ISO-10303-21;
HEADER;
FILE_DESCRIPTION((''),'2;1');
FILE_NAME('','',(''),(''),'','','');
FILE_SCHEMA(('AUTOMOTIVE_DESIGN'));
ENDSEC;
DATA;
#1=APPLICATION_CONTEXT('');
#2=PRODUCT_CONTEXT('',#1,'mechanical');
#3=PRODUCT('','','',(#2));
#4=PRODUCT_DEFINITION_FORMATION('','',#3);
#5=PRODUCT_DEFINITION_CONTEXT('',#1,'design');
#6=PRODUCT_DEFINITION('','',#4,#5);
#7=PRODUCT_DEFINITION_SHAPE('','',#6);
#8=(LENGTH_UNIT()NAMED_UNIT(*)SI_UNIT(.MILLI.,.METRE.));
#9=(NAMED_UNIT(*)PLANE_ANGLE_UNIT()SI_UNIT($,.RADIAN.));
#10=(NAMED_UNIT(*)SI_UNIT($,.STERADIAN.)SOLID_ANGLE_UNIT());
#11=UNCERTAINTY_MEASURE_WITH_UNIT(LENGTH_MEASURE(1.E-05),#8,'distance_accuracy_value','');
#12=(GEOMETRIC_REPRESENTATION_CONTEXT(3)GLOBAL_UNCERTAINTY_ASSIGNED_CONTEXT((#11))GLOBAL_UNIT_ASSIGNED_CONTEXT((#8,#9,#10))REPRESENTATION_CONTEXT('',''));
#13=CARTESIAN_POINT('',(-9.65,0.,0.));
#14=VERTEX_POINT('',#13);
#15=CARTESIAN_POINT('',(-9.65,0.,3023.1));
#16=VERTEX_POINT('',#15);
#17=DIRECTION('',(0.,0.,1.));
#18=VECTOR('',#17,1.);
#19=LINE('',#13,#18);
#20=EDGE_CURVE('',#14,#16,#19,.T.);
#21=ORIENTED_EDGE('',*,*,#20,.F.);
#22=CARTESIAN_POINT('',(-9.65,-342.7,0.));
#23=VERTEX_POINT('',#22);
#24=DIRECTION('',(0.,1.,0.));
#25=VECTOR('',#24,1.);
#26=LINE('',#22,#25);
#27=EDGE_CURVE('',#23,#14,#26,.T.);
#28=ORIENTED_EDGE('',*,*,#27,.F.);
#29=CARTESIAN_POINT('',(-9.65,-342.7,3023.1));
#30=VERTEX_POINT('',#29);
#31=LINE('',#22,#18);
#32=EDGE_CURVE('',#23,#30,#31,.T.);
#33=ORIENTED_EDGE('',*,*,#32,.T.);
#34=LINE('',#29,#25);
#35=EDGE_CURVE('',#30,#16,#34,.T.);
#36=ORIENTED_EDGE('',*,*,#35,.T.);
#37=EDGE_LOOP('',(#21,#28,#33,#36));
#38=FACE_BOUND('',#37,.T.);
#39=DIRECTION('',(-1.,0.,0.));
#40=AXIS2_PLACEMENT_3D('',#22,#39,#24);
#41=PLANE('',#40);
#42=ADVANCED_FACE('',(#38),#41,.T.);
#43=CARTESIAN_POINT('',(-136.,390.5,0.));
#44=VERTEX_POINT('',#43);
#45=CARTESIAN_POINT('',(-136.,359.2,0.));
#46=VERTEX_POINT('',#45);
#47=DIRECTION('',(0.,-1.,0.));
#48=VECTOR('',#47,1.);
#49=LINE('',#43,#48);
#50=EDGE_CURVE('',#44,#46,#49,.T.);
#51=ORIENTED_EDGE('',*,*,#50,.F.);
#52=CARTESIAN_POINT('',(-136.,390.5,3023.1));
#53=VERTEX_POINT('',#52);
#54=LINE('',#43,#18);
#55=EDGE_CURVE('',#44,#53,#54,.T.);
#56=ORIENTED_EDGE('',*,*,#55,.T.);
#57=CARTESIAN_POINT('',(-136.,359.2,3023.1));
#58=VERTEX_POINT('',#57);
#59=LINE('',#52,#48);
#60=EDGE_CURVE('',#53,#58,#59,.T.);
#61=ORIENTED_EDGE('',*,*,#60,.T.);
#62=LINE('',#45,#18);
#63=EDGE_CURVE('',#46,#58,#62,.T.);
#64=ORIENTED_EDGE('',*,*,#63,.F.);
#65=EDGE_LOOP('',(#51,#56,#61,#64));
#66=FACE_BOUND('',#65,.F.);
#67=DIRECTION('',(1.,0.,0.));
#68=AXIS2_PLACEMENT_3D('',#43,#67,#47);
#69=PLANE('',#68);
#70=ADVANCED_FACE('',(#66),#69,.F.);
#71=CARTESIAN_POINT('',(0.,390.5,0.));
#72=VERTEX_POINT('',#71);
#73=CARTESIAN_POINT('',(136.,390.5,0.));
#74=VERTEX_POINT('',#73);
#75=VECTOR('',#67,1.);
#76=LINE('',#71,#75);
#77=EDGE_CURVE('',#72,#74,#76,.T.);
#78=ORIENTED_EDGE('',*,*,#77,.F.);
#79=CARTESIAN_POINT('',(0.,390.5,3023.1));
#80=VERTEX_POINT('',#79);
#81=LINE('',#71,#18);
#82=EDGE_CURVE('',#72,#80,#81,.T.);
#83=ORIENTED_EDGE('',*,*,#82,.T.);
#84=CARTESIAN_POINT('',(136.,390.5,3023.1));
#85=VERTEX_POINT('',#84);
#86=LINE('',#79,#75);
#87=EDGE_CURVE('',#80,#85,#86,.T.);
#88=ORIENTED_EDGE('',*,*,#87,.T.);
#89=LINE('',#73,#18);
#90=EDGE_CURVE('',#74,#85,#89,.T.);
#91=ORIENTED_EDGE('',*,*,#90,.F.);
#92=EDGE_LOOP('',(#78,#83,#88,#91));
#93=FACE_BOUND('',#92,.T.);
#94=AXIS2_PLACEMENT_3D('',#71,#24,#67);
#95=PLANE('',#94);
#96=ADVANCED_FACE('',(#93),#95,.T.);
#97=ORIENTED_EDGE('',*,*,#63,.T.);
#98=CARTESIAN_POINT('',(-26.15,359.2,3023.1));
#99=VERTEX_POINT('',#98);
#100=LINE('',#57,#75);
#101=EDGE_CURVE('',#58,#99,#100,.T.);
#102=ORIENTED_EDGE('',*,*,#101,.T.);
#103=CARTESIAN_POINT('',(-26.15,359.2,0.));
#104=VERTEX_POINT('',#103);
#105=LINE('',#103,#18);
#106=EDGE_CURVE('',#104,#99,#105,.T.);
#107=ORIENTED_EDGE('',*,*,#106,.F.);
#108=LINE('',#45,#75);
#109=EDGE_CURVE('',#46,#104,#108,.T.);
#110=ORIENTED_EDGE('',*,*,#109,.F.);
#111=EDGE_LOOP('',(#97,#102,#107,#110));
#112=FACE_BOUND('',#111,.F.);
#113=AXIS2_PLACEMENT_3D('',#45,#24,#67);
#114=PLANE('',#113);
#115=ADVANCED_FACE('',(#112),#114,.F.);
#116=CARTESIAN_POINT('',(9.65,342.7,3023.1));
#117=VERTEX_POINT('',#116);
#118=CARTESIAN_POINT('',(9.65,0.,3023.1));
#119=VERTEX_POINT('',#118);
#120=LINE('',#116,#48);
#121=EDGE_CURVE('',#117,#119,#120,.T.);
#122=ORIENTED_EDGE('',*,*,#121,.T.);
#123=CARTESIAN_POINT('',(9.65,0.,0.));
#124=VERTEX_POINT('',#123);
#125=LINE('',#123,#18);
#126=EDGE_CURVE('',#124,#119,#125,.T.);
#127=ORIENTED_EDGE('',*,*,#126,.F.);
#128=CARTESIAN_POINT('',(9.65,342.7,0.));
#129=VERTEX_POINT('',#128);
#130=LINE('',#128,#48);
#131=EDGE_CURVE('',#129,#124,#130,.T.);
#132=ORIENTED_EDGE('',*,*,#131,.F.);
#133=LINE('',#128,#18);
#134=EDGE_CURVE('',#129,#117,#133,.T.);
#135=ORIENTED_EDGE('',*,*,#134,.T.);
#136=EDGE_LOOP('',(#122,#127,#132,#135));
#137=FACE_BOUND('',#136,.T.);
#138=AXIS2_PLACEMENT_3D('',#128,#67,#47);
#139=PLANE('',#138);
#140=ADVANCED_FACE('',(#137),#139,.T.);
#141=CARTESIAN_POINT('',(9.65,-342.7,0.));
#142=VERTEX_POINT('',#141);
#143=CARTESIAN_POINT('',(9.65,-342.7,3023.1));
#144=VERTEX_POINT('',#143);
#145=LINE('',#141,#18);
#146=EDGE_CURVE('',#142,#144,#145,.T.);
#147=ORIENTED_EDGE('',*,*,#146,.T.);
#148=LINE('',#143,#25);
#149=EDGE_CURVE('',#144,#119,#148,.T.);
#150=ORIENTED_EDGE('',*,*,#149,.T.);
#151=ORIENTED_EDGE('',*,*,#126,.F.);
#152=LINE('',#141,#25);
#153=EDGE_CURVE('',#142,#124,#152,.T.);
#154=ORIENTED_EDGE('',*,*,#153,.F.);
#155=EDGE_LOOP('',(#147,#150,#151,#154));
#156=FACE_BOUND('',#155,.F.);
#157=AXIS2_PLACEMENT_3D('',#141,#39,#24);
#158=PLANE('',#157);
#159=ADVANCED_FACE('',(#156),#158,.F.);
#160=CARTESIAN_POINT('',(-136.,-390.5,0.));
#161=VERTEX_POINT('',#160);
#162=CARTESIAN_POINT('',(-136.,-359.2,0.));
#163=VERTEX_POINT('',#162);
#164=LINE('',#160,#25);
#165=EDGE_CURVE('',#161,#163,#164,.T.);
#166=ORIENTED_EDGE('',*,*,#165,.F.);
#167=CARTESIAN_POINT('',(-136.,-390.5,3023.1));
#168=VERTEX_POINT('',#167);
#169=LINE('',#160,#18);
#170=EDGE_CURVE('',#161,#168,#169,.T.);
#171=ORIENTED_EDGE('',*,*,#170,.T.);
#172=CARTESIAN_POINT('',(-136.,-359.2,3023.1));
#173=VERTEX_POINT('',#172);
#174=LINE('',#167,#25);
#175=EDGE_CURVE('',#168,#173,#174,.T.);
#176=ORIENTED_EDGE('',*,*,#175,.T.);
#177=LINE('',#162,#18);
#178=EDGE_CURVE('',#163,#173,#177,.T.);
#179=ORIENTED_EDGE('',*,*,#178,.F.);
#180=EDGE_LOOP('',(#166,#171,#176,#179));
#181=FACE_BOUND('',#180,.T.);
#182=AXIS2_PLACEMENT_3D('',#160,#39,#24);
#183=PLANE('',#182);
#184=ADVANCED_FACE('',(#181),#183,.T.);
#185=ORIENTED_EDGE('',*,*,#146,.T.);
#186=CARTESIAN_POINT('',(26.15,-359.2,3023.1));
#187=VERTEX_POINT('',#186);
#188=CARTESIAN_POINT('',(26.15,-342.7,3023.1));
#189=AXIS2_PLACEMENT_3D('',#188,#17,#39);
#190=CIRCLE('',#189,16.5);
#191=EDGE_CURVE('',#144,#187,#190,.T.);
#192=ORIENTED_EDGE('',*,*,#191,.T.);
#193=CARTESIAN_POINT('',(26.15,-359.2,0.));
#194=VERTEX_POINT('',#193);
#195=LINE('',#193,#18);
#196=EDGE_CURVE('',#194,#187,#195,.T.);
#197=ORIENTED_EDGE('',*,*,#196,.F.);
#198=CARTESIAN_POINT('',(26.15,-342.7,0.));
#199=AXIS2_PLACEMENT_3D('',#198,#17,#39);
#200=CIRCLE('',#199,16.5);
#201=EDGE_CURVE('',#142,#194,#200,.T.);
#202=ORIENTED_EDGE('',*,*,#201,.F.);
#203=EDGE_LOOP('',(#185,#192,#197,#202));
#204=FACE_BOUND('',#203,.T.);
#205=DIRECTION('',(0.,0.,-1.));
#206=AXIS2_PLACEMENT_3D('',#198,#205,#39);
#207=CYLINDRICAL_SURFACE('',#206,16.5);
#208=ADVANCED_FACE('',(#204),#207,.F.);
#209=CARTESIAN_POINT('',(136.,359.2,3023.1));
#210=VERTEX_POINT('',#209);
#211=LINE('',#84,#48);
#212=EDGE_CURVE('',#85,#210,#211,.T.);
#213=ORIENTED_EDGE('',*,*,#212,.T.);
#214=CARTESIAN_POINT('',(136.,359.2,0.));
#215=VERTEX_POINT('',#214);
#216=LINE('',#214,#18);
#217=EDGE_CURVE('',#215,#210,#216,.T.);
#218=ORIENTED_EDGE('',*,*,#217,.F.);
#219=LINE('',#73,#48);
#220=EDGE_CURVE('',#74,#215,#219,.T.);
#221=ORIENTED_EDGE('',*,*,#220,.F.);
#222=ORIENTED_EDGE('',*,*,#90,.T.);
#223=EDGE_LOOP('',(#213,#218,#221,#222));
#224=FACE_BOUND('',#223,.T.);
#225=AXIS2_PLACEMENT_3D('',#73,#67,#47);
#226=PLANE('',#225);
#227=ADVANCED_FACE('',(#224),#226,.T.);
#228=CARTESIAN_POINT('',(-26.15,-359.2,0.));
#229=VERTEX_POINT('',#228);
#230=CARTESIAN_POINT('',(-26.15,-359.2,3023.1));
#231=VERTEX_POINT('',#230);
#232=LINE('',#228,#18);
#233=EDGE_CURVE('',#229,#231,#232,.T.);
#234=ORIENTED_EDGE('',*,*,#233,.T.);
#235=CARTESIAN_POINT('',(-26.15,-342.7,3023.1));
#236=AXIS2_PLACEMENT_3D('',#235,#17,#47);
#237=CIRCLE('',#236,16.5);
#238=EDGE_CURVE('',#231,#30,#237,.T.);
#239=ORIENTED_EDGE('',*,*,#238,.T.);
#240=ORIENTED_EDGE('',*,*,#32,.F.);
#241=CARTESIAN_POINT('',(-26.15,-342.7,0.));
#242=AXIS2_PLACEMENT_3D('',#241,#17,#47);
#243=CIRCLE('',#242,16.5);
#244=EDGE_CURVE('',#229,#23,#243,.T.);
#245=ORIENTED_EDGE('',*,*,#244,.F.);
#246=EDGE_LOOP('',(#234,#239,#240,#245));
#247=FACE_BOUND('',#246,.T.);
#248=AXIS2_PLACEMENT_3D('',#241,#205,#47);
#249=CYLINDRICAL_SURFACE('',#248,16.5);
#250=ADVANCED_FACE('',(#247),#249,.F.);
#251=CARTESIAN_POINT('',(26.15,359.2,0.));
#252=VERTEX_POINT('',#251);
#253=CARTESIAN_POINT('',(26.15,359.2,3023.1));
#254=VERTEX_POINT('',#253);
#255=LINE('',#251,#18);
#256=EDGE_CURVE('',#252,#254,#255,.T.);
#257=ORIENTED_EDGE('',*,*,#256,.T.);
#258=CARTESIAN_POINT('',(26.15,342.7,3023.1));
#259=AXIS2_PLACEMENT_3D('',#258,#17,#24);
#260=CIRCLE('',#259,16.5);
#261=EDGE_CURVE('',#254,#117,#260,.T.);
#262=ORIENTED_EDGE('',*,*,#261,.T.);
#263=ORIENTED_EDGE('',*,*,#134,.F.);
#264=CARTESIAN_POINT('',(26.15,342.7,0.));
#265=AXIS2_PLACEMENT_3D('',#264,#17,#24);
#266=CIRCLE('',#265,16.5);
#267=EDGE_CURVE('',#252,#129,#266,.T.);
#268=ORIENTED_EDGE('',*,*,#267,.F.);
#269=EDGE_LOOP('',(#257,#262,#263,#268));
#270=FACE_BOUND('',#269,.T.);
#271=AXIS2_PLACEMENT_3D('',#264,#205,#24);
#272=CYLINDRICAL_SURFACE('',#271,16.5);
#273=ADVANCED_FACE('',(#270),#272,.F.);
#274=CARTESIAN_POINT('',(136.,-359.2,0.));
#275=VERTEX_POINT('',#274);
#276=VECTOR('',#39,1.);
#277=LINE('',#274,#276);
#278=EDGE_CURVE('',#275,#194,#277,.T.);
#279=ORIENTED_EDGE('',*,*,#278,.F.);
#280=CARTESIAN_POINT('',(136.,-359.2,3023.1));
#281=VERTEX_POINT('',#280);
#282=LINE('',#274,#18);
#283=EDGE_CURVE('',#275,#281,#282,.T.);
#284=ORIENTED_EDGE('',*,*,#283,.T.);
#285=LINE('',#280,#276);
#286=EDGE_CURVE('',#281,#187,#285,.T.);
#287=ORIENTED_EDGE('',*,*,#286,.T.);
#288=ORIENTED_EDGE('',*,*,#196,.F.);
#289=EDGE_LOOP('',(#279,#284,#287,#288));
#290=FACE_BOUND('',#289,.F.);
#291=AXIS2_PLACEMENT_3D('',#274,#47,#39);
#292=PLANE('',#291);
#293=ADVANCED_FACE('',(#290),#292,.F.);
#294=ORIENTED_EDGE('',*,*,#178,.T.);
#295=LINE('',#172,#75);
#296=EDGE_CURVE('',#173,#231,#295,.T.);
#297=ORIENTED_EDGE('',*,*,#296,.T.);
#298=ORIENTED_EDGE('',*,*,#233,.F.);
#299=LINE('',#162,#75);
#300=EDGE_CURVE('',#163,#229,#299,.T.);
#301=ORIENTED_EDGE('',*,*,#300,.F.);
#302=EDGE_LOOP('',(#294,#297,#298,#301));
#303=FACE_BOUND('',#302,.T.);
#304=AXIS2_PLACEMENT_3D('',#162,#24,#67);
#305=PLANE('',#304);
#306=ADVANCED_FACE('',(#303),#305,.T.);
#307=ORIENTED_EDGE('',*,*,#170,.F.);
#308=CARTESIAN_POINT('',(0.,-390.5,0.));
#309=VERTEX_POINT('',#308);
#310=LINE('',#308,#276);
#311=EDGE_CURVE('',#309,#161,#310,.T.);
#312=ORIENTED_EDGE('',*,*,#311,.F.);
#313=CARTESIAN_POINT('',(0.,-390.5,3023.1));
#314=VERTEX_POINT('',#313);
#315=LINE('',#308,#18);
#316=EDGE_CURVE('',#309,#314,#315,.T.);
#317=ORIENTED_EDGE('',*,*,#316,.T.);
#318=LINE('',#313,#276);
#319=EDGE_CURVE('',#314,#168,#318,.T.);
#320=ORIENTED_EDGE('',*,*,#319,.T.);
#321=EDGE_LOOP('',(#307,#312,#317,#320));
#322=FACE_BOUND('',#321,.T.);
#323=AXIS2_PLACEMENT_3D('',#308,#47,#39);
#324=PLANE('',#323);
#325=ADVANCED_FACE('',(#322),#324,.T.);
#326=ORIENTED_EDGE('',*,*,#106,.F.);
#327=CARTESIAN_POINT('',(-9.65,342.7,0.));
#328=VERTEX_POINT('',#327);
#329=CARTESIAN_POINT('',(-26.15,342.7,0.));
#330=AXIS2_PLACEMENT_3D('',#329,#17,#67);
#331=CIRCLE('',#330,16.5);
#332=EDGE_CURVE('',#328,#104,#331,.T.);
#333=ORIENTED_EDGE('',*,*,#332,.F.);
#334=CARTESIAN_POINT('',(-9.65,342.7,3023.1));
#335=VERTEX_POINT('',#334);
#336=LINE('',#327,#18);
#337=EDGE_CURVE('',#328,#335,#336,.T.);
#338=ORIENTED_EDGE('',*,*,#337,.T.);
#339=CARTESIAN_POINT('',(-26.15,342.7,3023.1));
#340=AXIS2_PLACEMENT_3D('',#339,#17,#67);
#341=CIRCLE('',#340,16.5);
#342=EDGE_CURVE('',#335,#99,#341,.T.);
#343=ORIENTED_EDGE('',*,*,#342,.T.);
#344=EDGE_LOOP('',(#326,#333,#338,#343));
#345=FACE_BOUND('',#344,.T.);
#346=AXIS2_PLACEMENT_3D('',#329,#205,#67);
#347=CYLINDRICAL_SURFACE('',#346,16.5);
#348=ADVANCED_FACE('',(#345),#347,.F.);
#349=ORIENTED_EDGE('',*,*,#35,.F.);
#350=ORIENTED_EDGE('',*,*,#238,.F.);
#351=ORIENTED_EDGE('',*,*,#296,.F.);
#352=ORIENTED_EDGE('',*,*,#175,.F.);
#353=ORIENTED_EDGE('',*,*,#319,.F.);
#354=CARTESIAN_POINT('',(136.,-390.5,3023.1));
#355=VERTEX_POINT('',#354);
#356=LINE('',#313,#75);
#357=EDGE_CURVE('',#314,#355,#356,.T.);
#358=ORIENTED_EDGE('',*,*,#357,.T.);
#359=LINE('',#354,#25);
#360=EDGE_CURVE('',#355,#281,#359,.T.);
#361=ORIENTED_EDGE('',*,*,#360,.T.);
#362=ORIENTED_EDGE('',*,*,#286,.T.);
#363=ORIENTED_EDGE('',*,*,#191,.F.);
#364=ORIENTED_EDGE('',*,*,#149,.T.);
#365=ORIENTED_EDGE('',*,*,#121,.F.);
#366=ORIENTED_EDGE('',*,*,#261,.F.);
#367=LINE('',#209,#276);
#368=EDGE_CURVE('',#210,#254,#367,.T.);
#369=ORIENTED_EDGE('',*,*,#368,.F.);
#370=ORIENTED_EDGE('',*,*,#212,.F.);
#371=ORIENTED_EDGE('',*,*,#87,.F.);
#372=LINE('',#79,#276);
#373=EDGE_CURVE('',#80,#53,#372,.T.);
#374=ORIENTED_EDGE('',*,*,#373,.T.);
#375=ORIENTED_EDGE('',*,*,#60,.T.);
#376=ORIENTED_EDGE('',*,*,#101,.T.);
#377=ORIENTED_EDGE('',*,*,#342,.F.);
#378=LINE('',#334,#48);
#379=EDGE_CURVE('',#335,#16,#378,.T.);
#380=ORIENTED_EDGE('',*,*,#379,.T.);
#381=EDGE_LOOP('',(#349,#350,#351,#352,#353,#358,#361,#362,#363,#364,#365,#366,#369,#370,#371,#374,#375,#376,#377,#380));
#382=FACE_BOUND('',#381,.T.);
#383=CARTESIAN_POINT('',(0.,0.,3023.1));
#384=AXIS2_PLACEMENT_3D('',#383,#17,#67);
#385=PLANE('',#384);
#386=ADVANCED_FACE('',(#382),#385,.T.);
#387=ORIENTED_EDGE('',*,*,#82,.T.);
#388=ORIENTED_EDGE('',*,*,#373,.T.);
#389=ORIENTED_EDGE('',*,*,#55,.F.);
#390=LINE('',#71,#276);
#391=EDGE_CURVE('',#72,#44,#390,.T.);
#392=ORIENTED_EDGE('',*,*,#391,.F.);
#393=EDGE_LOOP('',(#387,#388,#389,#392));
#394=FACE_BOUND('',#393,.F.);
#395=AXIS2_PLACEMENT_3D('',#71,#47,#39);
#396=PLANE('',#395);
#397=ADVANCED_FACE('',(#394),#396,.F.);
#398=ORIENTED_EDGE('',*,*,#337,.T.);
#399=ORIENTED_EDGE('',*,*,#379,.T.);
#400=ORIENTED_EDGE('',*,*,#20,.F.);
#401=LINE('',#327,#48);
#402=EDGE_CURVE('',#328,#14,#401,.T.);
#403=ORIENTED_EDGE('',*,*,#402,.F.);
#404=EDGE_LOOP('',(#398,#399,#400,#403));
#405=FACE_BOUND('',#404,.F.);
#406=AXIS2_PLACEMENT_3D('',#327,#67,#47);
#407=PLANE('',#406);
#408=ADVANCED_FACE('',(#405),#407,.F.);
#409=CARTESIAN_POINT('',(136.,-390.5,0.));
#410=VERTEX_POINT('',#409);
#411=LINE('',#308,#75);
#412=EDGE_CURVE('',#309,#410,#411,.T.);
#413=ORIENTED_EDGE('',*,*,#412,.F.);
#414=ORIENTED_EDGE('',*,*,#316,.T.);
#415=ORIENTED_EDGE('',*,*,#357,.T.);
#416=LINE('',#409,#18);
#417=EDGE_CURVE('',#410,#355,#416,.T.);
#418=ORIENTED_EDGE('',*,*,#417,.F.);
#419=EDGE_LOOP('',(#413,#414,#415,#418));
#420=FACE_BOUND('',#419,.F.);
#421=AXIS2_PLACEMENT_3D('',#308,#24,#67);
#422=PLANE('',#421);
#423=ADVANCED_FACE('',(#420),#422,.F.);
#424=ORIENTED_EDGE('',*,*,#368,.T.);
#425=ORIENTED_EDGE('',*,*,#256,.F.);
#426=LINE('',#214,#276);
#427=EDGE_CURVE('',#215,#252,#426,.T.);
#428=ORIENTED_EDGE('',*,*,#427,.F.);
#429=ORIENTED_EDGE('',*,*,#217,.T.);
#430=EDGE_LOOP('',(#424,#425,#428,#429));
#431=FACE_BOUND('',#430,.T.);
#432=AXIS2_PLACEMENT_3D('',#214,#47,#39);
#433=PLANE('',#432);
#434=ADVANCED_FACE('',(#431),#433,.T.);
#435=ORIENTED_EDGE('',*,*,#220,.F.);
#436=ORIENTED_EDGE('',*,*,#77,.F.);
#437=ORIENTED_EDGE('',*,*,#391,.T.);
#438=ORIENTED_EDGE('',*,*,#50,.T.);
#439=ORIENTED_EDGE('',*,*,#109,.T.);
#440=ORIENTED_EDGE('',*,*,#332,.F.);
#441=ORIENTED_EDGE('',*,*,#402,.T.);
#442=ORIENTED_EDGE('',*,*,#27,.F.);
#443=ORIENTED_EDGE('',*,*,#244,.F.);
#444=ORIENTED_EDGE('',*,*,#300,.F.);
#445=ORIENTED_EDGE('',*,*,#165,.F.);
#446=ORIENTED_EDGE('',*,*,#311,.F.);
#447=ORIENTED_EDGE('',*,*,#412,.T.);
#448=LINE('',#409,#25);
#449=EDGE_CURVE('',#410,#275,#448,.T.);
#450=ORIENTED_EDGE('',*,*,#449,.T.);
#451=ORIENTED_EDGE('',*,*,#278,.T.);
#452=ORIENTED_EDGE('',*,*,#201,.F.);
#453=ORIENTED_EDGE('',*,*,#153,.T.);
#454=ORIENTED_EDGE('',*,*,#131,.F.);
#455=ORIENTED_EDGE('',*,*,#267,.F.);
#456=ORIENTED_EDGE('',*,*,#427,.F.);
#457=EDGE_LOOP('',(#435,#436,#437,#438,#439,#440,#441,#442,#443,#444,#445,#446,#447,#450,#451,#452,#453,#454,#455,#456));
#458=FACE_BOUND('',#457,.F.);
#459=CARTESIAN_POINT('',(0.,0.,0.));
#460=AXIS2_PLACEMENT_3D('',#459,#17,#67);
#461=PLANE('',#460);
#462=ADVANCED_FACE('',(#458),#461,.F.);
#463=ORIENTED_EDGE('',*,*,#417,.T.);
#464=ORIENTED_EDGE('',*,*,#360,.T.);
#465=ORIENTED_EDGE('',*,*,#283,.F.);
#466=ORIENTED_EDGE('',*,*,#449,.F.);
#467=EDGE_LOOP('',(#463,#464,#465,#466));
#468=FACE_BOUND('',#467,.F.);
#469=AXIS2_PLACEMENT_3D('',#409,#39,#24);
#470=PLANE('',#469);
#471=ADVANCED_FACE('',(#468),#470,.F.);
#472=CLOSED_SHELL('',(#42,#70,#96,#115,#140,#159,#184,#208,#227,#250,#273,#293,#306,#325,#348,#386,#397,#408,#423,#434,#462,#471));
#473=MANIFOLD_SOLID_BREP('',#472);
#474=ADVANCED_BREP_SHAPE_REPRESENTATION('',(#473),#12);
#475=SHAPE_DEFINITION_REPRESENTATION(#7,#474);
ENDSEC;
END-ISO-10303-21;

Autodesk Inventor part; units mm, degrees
ref_plane "YZ Plane" through (0, 0, 0) normal (1, 0, 0) x (0, 1, 0)
ref_plane "Start plane" through (0, 0, 0) normal (0, 0, 1) x (1, 0, 0)
ref_plane "End plane" through (0, 0, 3023.1) normal (0, 0, 1) x (1, 0, 0)
sketch "Sketch" plane through (0, 0, 0) normal (0, 0, 1) x (1, 0, 0)
  line L0 (-136, -390.5) -> (-136, -359.2)
  line L1 (-136, -359.2) -> (-26.15, -359.2)
  line L2 (-9.65, -342.7) -> (-9.65, 0)
  line L3 (-9.65, 0) -> (0, 0) construction
  line L4 (0, 0) -> (0, -390.5) construction
  line L5 (0, -390.5) -> (-136, -390.5)
  line L6 (-60, 0) -> (80, 0) construction
  line L7 (0, -60) -> (0, 80) construction
  line L8 (136, -390.5) -> (136, -359.2)
  line L9 (136, -359.2) -> (26.15, -359.2)
  line L10 (9.65, -342.7) -> (9.65, 0)
  line L11 (9.65, 0) -> (0, 0) construction
  line L12 (0, -390.5) -> (136, -390.5)
  line L13 (-136, 390.5) -> (-136, 359.2)
  line L14 (-136, 359.2) -> (-26.15, 359.2)
  line L15 (-9.65, 342.7) -> (-9.65, 0)
  line L16 (0, 390.5) -> (-136, 390.5)
  line L17 (136, 390.5) -> (136, 359.2)
  line L18 (136, 359.2) -> (26.15, 359.2)
  line L19 (0, 390.5) -> (136, 390.5)
  line L20 (9.65, 342.7) -> (9.65, 0)
  arc A0 (-9.65, 342.7) -> (-26.15, 359.2) centre (-26.15, 342.7) ccw
  arc A1 (26.15, 359.2) -> (9.65, 342.7) centre (26.15, 342.7) ccw
  arc A2 (9.65, -342.7) -> (26.15, -359.2) centre (26.15, -342.7) ccw
  arc A3 (-26.15, -359.2) -> (-9.65, -342.7) centre (-26.15, -342.7) ccw
  line L21 (0, 108) -> (0, -88) construction
  line L22 (-88, 0) -> (108, 0) construction
  point P0 (-9.65, -359.2)
  point P1 (9.65, -359.2)
  point P2 (-9.65, 359.2)
  point P3 (9.65, 359.2)
  dimension "d1" = 390.5
  dimension "d2" = 31.3
  dimension "d3" = 136
  dimension "d4" = 9.65
  dimension "d10" = 16.5
extrude "Body" add sketch "Sketch" along normal up to surface (3023.1 mm away) from surface at 0
sketch "Sketch4" plane through (0, 0, 0) normal (0, 0, 1) x (1, 0, 0)
  line L0 (0, 0) -> (10, 0)
ref_plane "Work Plane3" through (0, 0, 0) normal (0, -1, 0) x (1, 0, 0)
sketch "Sketch5" plane through (0, 0, 0) normal (0, -1, 0) x (1, 0, 0)
  line L0 (-2, 0) -> (12, 0) projected
  line L1 (-2, 3023.1) -> (12, 3023.1) projected
  dimension "d14" = 3023.1
equation "\"d1\" = 0.5 * G_H"
equation "\"d2\" = G_T1"
equation "\"d3\" = 0.5 * G_W"
equation "\"d4\" = 0.5 * G_T"
equation "\"d10\" = G_IR"
equation "\"d5\" = G_L"
equation "\"G_W\" = 272"
equation "\"G_H\" = 781"
equation "\"G_T\" = 19.3"
equation "\"G_T1\" = 31.3"
equation "\"G_IR\" = 16.5"
equation "\"G_L\" = d14"
equation "\"G_OFFSET_START\" = 0"
equation "\"G_OFFSET_END\" = 0"
equation "\"d12\" = G_OFFSET_END + B_L"
equation "\"B_L\" = 3023.1"
properties part number "AS 3679-1990 - 760 UB - 244 - 3023.1" material "Steel, Mild"
